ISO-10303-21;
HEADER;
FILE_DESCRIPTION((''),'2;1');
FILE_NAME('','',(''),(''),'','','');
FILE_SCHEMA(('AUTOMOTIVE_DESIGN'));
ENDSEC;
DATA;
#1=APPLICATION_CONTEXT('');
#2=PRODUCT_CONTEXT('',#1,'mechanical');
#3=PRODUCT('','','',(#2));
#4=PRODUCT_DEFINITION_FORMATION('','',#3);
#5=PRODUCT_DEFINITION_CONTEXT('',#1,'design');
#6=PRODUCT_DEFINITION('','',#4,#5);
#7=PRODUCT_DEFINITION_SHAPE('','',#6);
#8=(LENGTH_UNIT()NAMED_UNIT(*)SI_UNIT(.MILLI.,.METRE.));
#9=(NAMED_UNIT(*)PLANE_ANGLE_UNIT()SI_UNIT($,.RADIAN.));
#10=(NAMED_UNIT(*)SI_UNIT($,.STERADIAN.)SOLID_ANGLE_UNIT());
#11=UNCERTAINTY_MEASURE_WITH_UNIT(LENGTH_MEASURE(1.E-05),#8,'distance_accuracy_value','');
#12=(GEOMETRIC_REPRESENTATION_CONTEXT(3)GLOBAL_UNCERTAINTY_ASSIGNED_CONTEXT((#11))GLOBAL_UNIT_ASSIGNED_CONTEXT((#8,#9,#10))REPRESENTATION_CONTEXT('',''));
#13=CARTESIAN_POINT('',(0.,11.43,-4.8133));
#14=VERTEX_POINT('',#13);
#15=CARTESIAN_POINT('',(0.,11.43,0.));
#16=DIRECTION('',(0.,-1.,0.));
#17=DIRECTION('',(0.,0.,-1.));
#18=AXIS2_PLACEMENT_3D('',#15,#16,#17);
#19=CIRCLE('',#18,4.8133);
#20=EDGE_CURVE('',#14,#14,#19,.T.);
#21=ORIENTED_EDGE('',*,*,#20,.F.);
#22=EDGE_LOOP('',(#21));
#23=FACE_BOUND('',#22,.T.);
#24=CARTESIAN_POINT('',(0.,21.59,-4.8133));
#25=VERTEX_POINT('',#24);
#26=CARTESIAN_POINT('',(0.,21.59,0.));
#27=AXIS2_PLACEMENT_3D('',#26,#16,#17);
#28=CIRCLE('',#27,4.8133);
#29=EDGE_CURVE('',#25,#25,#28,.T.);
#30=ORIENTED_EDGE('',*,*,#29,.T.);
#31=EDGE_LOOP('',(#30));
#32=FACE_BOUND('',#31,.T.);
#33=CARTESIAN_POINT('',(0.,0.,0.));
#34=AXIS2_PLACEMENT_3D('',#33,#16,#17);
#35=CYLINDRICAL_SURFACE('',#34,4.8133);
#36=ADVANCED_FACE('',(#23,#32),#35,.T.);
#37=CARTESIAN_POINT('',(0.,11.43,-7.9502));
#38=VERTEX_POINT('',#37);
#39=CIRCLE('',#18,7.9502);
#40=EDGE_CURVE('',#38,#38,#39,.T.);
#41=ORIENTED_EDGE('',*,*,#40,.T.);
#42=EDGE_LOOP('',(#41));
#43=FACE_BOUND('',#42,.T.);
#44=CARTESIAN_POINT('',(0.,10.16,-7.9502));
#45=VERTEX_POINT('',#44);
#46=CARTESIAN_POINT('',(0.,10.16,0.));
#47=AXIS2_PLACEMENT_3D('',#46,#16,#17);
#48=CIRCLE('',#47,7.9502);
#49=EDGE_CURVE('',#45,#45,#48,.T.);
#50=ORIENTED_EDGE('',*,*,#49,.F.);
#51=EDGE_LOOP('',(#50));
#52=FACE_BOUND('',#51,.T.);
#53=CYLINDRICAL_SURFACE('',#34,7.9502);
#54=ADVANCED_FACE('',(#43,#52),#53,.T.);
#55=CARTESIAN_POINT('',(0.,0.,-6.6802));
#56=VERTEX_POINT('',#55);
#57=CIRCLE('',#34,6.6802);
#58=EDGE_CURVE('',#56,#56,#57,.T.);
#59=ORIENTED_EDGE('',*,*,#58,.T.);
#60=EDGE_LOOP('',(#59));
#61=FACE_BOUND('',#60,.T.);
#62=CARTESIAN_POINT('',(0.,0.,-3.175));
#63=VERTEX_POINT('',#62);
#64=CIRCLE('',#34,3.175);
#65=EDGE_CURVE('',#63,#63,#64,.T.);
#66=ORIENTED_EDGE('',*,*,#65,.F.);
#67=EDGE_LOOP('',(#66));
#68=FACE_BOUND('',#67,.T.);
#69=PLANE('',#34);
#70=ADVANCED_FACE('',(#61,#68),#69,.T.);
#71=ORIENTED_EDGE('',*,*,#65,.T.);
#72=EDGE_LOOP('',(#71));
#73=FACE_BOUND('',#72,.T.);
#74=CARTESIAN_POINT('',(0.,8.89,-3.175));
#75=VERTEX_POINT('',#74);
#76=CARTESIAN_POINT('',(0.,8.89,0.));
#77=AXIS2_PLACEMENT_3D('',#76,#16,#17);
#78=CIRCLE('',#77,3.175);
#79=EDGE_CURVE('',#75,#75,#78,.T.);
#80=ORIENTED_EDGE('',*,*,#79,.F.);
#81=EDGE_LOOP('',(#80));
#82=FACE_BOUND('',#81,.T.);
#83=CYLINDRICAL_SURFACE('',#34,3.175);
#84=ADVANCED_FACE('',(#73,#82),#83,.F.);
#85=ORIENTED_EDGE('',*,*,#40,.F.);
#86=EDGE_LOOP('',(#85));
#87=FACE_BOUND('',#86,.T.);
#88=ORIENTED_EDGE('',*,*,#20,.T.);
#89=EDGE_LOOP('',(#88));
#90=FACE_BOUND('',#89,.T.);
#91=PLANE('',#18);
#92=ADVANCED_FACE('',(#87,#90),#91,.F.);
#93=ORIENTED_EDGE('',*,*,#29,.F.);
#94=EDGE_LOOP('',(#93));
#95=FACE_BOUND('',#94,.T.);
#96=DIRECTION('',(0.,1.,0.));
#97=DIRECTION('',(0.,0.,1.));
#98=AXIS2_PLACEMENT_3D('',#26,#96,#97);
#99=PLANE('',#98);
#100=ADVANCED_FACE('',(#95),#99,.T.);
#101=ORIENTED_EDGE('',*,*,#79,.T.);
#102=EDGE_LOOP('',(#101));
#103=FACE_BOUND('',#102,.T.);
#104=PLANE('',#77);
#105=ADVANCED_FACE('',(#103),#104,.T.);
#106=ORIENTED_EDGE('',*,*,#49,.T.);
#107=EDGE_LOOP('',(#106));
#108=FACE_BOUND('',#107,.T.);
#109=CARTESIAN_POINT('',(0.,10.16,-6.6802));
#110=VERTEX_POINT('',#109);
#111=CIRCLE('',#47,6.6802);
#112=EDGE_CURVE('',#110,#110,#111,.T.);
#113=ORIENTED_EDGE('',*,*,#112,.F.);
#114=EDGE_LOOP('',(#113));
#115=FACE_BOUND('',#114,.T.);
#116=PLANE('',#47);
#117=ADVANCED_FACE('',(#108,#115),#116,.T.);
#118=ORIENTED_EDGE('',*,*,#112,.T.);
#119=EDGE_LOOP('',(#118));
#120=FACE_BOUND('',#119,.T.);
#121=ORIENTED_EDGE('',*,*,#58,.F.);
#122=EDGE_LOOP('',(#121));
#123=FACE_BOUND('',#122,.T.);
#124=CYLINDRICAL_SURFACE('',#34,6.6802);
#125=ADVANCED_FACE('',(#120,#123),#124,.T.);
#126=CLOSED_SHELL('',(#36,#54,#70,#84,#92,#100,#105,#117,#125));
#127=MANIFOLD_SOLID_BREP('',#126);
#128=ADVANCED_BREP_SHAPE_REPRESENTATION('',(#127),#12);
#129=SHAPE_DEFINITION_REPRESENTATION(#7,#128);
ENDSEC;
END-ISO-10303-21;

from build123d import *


with BuildPart() as part:
    # Sketch2 → Revolve2 (revolve)
    with BuildSketch(Plane.XY, mode=Mode.PRIVATE) as revolve2_sk:
        Polygon((0, 21.59), (0, 8.89), (3.175, 8.89), (3.175, 0), (4.7625, 0), (6.6802, 0), (6.6802, 10.16), (7.9502, 10.16), (7.9502, 11.43), (4.8133, 11.43), (4.8133, 21.59), align=None)
    revolve(revolve2_sk.sketch.rotate(Axis((0, 0, 0), (0, 1, 0)), 90), axis=Axis((0, 0, 0), (0, 1, 0)))


solid = part.part
